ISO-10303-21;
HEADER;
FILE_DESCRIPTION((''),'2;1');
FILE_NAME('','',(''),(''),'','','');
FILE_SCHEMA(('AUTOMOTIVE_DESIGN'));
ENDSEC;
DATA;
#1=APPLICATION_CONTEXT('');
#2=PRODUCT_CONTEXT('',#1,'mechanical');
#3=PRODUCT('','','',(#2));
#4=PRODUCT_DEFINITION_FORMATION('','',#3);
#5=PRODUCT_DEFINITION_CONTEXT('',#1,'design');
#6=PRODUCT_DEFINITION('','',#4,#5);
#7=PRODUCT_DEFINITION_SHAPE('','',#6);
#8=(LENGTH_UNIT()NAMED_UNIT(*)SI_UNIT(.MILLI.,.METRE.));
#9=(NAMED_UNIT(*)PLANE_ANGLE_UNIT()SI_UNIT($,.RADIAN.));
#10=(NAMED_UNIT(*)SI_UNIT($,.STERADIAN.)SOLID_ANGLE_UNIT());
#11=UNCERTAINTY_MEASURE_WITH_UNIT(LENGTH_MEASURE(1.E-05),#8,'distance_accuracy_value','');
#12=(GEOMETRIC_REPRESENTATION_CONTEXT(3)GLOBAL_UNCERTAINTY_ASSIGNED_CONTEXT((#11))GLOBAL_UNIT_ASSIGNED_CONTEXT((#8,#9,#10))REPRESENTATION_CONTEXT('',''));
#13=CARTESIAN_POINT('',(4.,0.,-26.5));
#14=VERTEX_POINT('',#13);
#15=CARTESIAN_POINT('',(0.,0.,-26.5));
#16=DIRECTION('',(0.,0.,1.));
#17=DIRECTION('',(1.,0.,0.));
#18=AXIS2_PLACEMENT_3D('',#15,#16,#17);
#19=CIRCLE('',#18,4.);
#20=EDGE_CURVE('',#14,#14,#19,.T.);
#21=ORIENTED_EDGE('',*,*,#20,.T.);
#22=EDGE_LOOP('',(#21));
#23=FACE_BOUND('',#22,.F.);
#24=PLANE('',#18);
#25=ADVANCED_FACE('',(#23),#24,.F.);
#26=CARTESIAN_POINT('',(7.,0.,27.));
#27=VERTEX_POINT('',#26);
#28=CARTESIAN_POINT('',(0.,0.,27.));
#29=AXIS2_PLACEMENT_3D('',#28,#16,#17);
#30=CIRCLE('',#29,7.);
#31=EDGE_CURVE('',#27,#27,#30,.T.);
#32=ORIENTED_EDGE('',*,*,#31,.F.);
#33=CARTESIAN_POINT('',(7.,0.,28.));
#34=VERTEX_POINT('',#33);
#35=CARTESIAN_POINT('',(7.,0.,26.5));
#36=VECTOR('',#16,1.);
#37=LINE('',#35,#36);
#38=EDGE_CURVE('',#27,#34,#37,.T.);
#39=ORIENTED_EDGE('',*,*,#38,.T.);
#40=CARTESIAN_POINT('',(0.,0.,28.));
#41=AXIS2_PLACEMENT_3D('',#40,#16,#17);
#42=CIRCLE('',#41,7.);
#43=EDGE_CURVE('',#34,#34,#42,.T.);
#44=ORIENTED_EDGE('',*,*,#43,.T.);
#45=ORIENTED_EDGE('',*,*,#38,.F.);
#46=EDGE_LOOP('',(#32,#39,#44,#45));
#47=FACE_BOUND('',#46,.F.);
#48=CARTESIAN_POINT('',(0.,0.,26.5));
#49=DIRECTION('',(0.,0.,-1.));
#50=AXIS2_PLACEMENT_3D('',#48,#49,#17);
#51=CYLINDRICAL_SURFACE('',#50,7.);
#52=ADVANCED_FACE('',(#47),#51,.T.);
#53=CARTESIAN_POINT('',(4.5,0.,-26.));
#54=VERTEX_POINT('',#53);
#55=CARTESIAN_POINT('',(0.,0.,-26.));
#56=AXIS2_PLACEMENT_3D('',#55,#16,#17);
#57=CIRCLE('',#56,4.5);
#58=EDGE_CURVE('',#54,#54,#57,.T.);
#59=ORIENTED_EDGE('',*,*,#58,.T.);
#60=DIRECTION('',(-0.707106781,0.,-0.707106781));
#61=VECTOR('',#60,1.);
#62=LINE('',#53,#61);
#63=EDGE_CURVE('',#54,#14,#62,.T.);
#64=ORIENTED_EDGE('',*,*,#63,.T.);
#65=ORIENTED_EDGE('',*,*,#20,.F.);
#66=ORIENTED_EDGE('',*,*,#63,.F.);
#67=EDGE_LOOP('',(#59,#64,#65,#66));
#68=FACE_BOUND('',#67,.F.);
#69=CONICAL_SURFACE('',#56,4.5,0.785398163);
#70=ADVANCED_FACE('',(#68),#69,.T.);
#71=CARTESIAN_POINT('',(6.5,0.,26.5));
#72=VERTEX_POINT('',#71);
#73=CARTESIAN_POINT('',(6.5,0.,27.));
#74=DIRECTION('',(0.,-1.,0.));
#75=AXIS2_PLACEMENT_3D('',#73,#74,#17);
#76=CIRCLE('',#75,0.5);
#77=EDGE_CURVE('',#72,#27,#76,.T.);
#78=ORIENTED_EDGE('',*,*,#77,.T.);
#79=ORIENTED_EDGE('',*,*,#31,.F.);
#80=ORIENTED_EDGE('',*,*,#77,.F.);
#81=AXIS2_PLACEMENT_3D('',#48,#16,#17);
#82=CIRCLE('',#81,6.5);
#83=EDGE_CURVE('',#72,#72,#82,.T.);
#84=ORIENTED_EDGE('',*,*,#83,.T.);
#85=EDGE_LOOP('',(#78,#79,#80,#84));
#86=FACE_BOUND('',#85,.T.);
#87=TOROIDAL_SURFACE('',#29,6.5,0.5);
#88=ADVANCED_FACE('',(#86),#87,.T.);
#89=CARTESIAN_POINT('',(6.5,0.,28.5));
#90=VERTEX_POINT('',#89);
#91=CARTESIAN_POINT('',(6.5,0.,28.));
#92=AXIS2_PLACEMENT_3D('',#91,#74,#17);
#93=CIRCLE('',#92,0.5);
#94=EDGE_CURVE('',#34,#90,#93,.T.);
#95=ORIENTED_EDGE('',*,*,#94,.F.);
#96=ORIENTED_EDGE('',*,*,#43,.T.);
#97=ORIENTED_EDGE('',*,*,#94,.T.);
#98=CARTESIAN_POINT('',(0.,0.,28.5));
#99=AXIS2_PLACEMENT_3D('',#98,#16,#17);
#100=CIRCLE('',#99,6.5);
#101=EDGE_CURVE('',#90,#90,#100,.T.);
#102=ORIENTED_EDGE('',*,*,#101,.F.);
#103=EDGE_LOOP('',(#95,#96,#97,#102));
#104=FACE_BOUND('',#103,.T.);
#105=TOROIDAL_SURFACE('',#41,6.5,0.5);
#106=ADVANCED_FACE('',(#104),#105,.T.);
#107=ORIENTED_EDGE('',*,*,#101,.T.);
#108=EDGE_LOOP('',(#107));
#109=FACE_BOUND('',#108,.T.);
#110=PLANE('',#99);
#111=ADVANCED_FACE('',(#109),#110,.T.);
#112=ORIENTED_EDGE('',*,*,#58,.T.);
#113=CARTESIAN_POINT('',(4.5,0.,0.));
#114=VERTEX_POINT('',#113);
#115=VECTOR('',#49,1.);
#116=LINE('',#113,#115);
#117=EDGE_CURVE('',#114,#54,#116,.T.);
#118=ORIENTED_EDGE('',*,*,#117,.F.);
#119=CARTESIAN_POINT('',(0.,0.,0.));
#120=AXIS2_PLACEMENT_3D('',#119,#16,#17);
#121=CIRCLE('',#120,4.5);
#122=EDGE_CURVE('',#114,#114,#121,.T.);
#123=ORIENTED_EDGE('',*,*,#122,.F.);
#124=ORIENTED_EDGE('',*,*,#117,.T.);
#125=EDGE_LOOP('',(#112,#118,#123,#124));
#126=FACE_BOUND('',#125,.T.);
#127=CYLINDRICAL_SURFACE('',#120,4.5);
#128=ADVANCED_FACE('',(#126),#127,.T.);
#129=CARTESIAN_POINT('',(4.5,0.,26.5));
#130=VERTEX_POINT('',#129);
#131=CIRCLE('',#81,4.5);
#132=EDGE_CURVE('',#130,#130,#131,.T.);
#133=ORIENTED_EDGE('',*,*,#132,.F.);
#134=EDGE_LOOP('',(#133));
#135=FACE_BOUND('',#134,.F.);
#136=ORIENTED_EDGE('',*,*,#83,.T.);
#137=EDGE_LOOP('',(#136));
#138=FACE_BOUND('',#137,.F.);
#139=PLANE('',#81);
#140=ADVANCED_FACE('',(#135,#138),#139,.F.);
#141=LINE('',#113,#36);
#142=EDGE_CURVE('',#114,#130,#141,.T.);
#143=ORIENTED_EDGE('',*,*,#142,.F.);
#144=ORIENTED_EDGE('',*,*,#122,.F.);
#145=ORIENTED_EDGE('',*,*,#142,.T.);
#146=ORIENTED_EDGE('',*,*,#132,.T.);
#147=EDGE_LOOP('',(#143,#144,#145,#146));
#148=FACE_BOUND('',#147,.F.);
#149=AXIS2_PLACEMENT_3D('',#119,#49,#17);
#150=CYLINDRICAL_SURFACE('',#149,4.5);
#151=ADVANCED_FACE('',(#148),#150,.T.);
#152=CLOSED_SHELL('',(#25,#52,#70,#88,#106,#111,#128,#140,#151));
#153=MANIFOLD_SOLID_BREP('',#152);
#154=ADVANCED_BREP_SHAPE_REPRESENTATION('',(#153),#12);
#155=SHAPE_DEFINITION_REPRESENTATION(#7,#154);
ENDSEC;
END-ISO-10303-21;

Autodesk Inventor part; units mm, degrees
ref_plane "YZ Plane" through (0, 0, 0) normal (1, 0, 0) x (0, 1, 0)
ref_plane "XZ Plane" through (0, 0, 0) normal (0, 1, 0) x (-1, 0, 0)
ref_plane "XY Plane" through (0, 0, 0) normal (0, 0, 1) x (1, 0, 0)
sketch "Schizzo1" plane through (0, 0, 0) normal (0, 0, 1) x (1, 0, 0)
  circle A0 centre (0, 0) radius 4.5
  dimension "d0" = 9
extrude "Estrusione1" add sketch "Schizzo1" along normal mid plane 53
sketch "Schizzo2" plane through (0, 0, 26.5) normal (0, 0, 1) x (1, 0, 0)
  circle A0 centre (0, 0) radius 4.5 projected
  circle A1 centre (0, 0) radius 7
  dimension "d3" = 14
extrude "Estrusione2" add sketch "Schizzo2" along normal blind 2 contours A0 | A1
chamfer "Smusso1" distance 0.5 angle 45 1 edges at (-4.5, 0, -26.5)
thread "Filettatura1" size "M9x1.25" class "6g" standard "ANSI Metric M Profile" length 10
fillet "Raccordo1" radius 0.5 2 edges at (-7, 0, 28.5) (-7, 0, 26.5)
properties part number "Kingpin"
